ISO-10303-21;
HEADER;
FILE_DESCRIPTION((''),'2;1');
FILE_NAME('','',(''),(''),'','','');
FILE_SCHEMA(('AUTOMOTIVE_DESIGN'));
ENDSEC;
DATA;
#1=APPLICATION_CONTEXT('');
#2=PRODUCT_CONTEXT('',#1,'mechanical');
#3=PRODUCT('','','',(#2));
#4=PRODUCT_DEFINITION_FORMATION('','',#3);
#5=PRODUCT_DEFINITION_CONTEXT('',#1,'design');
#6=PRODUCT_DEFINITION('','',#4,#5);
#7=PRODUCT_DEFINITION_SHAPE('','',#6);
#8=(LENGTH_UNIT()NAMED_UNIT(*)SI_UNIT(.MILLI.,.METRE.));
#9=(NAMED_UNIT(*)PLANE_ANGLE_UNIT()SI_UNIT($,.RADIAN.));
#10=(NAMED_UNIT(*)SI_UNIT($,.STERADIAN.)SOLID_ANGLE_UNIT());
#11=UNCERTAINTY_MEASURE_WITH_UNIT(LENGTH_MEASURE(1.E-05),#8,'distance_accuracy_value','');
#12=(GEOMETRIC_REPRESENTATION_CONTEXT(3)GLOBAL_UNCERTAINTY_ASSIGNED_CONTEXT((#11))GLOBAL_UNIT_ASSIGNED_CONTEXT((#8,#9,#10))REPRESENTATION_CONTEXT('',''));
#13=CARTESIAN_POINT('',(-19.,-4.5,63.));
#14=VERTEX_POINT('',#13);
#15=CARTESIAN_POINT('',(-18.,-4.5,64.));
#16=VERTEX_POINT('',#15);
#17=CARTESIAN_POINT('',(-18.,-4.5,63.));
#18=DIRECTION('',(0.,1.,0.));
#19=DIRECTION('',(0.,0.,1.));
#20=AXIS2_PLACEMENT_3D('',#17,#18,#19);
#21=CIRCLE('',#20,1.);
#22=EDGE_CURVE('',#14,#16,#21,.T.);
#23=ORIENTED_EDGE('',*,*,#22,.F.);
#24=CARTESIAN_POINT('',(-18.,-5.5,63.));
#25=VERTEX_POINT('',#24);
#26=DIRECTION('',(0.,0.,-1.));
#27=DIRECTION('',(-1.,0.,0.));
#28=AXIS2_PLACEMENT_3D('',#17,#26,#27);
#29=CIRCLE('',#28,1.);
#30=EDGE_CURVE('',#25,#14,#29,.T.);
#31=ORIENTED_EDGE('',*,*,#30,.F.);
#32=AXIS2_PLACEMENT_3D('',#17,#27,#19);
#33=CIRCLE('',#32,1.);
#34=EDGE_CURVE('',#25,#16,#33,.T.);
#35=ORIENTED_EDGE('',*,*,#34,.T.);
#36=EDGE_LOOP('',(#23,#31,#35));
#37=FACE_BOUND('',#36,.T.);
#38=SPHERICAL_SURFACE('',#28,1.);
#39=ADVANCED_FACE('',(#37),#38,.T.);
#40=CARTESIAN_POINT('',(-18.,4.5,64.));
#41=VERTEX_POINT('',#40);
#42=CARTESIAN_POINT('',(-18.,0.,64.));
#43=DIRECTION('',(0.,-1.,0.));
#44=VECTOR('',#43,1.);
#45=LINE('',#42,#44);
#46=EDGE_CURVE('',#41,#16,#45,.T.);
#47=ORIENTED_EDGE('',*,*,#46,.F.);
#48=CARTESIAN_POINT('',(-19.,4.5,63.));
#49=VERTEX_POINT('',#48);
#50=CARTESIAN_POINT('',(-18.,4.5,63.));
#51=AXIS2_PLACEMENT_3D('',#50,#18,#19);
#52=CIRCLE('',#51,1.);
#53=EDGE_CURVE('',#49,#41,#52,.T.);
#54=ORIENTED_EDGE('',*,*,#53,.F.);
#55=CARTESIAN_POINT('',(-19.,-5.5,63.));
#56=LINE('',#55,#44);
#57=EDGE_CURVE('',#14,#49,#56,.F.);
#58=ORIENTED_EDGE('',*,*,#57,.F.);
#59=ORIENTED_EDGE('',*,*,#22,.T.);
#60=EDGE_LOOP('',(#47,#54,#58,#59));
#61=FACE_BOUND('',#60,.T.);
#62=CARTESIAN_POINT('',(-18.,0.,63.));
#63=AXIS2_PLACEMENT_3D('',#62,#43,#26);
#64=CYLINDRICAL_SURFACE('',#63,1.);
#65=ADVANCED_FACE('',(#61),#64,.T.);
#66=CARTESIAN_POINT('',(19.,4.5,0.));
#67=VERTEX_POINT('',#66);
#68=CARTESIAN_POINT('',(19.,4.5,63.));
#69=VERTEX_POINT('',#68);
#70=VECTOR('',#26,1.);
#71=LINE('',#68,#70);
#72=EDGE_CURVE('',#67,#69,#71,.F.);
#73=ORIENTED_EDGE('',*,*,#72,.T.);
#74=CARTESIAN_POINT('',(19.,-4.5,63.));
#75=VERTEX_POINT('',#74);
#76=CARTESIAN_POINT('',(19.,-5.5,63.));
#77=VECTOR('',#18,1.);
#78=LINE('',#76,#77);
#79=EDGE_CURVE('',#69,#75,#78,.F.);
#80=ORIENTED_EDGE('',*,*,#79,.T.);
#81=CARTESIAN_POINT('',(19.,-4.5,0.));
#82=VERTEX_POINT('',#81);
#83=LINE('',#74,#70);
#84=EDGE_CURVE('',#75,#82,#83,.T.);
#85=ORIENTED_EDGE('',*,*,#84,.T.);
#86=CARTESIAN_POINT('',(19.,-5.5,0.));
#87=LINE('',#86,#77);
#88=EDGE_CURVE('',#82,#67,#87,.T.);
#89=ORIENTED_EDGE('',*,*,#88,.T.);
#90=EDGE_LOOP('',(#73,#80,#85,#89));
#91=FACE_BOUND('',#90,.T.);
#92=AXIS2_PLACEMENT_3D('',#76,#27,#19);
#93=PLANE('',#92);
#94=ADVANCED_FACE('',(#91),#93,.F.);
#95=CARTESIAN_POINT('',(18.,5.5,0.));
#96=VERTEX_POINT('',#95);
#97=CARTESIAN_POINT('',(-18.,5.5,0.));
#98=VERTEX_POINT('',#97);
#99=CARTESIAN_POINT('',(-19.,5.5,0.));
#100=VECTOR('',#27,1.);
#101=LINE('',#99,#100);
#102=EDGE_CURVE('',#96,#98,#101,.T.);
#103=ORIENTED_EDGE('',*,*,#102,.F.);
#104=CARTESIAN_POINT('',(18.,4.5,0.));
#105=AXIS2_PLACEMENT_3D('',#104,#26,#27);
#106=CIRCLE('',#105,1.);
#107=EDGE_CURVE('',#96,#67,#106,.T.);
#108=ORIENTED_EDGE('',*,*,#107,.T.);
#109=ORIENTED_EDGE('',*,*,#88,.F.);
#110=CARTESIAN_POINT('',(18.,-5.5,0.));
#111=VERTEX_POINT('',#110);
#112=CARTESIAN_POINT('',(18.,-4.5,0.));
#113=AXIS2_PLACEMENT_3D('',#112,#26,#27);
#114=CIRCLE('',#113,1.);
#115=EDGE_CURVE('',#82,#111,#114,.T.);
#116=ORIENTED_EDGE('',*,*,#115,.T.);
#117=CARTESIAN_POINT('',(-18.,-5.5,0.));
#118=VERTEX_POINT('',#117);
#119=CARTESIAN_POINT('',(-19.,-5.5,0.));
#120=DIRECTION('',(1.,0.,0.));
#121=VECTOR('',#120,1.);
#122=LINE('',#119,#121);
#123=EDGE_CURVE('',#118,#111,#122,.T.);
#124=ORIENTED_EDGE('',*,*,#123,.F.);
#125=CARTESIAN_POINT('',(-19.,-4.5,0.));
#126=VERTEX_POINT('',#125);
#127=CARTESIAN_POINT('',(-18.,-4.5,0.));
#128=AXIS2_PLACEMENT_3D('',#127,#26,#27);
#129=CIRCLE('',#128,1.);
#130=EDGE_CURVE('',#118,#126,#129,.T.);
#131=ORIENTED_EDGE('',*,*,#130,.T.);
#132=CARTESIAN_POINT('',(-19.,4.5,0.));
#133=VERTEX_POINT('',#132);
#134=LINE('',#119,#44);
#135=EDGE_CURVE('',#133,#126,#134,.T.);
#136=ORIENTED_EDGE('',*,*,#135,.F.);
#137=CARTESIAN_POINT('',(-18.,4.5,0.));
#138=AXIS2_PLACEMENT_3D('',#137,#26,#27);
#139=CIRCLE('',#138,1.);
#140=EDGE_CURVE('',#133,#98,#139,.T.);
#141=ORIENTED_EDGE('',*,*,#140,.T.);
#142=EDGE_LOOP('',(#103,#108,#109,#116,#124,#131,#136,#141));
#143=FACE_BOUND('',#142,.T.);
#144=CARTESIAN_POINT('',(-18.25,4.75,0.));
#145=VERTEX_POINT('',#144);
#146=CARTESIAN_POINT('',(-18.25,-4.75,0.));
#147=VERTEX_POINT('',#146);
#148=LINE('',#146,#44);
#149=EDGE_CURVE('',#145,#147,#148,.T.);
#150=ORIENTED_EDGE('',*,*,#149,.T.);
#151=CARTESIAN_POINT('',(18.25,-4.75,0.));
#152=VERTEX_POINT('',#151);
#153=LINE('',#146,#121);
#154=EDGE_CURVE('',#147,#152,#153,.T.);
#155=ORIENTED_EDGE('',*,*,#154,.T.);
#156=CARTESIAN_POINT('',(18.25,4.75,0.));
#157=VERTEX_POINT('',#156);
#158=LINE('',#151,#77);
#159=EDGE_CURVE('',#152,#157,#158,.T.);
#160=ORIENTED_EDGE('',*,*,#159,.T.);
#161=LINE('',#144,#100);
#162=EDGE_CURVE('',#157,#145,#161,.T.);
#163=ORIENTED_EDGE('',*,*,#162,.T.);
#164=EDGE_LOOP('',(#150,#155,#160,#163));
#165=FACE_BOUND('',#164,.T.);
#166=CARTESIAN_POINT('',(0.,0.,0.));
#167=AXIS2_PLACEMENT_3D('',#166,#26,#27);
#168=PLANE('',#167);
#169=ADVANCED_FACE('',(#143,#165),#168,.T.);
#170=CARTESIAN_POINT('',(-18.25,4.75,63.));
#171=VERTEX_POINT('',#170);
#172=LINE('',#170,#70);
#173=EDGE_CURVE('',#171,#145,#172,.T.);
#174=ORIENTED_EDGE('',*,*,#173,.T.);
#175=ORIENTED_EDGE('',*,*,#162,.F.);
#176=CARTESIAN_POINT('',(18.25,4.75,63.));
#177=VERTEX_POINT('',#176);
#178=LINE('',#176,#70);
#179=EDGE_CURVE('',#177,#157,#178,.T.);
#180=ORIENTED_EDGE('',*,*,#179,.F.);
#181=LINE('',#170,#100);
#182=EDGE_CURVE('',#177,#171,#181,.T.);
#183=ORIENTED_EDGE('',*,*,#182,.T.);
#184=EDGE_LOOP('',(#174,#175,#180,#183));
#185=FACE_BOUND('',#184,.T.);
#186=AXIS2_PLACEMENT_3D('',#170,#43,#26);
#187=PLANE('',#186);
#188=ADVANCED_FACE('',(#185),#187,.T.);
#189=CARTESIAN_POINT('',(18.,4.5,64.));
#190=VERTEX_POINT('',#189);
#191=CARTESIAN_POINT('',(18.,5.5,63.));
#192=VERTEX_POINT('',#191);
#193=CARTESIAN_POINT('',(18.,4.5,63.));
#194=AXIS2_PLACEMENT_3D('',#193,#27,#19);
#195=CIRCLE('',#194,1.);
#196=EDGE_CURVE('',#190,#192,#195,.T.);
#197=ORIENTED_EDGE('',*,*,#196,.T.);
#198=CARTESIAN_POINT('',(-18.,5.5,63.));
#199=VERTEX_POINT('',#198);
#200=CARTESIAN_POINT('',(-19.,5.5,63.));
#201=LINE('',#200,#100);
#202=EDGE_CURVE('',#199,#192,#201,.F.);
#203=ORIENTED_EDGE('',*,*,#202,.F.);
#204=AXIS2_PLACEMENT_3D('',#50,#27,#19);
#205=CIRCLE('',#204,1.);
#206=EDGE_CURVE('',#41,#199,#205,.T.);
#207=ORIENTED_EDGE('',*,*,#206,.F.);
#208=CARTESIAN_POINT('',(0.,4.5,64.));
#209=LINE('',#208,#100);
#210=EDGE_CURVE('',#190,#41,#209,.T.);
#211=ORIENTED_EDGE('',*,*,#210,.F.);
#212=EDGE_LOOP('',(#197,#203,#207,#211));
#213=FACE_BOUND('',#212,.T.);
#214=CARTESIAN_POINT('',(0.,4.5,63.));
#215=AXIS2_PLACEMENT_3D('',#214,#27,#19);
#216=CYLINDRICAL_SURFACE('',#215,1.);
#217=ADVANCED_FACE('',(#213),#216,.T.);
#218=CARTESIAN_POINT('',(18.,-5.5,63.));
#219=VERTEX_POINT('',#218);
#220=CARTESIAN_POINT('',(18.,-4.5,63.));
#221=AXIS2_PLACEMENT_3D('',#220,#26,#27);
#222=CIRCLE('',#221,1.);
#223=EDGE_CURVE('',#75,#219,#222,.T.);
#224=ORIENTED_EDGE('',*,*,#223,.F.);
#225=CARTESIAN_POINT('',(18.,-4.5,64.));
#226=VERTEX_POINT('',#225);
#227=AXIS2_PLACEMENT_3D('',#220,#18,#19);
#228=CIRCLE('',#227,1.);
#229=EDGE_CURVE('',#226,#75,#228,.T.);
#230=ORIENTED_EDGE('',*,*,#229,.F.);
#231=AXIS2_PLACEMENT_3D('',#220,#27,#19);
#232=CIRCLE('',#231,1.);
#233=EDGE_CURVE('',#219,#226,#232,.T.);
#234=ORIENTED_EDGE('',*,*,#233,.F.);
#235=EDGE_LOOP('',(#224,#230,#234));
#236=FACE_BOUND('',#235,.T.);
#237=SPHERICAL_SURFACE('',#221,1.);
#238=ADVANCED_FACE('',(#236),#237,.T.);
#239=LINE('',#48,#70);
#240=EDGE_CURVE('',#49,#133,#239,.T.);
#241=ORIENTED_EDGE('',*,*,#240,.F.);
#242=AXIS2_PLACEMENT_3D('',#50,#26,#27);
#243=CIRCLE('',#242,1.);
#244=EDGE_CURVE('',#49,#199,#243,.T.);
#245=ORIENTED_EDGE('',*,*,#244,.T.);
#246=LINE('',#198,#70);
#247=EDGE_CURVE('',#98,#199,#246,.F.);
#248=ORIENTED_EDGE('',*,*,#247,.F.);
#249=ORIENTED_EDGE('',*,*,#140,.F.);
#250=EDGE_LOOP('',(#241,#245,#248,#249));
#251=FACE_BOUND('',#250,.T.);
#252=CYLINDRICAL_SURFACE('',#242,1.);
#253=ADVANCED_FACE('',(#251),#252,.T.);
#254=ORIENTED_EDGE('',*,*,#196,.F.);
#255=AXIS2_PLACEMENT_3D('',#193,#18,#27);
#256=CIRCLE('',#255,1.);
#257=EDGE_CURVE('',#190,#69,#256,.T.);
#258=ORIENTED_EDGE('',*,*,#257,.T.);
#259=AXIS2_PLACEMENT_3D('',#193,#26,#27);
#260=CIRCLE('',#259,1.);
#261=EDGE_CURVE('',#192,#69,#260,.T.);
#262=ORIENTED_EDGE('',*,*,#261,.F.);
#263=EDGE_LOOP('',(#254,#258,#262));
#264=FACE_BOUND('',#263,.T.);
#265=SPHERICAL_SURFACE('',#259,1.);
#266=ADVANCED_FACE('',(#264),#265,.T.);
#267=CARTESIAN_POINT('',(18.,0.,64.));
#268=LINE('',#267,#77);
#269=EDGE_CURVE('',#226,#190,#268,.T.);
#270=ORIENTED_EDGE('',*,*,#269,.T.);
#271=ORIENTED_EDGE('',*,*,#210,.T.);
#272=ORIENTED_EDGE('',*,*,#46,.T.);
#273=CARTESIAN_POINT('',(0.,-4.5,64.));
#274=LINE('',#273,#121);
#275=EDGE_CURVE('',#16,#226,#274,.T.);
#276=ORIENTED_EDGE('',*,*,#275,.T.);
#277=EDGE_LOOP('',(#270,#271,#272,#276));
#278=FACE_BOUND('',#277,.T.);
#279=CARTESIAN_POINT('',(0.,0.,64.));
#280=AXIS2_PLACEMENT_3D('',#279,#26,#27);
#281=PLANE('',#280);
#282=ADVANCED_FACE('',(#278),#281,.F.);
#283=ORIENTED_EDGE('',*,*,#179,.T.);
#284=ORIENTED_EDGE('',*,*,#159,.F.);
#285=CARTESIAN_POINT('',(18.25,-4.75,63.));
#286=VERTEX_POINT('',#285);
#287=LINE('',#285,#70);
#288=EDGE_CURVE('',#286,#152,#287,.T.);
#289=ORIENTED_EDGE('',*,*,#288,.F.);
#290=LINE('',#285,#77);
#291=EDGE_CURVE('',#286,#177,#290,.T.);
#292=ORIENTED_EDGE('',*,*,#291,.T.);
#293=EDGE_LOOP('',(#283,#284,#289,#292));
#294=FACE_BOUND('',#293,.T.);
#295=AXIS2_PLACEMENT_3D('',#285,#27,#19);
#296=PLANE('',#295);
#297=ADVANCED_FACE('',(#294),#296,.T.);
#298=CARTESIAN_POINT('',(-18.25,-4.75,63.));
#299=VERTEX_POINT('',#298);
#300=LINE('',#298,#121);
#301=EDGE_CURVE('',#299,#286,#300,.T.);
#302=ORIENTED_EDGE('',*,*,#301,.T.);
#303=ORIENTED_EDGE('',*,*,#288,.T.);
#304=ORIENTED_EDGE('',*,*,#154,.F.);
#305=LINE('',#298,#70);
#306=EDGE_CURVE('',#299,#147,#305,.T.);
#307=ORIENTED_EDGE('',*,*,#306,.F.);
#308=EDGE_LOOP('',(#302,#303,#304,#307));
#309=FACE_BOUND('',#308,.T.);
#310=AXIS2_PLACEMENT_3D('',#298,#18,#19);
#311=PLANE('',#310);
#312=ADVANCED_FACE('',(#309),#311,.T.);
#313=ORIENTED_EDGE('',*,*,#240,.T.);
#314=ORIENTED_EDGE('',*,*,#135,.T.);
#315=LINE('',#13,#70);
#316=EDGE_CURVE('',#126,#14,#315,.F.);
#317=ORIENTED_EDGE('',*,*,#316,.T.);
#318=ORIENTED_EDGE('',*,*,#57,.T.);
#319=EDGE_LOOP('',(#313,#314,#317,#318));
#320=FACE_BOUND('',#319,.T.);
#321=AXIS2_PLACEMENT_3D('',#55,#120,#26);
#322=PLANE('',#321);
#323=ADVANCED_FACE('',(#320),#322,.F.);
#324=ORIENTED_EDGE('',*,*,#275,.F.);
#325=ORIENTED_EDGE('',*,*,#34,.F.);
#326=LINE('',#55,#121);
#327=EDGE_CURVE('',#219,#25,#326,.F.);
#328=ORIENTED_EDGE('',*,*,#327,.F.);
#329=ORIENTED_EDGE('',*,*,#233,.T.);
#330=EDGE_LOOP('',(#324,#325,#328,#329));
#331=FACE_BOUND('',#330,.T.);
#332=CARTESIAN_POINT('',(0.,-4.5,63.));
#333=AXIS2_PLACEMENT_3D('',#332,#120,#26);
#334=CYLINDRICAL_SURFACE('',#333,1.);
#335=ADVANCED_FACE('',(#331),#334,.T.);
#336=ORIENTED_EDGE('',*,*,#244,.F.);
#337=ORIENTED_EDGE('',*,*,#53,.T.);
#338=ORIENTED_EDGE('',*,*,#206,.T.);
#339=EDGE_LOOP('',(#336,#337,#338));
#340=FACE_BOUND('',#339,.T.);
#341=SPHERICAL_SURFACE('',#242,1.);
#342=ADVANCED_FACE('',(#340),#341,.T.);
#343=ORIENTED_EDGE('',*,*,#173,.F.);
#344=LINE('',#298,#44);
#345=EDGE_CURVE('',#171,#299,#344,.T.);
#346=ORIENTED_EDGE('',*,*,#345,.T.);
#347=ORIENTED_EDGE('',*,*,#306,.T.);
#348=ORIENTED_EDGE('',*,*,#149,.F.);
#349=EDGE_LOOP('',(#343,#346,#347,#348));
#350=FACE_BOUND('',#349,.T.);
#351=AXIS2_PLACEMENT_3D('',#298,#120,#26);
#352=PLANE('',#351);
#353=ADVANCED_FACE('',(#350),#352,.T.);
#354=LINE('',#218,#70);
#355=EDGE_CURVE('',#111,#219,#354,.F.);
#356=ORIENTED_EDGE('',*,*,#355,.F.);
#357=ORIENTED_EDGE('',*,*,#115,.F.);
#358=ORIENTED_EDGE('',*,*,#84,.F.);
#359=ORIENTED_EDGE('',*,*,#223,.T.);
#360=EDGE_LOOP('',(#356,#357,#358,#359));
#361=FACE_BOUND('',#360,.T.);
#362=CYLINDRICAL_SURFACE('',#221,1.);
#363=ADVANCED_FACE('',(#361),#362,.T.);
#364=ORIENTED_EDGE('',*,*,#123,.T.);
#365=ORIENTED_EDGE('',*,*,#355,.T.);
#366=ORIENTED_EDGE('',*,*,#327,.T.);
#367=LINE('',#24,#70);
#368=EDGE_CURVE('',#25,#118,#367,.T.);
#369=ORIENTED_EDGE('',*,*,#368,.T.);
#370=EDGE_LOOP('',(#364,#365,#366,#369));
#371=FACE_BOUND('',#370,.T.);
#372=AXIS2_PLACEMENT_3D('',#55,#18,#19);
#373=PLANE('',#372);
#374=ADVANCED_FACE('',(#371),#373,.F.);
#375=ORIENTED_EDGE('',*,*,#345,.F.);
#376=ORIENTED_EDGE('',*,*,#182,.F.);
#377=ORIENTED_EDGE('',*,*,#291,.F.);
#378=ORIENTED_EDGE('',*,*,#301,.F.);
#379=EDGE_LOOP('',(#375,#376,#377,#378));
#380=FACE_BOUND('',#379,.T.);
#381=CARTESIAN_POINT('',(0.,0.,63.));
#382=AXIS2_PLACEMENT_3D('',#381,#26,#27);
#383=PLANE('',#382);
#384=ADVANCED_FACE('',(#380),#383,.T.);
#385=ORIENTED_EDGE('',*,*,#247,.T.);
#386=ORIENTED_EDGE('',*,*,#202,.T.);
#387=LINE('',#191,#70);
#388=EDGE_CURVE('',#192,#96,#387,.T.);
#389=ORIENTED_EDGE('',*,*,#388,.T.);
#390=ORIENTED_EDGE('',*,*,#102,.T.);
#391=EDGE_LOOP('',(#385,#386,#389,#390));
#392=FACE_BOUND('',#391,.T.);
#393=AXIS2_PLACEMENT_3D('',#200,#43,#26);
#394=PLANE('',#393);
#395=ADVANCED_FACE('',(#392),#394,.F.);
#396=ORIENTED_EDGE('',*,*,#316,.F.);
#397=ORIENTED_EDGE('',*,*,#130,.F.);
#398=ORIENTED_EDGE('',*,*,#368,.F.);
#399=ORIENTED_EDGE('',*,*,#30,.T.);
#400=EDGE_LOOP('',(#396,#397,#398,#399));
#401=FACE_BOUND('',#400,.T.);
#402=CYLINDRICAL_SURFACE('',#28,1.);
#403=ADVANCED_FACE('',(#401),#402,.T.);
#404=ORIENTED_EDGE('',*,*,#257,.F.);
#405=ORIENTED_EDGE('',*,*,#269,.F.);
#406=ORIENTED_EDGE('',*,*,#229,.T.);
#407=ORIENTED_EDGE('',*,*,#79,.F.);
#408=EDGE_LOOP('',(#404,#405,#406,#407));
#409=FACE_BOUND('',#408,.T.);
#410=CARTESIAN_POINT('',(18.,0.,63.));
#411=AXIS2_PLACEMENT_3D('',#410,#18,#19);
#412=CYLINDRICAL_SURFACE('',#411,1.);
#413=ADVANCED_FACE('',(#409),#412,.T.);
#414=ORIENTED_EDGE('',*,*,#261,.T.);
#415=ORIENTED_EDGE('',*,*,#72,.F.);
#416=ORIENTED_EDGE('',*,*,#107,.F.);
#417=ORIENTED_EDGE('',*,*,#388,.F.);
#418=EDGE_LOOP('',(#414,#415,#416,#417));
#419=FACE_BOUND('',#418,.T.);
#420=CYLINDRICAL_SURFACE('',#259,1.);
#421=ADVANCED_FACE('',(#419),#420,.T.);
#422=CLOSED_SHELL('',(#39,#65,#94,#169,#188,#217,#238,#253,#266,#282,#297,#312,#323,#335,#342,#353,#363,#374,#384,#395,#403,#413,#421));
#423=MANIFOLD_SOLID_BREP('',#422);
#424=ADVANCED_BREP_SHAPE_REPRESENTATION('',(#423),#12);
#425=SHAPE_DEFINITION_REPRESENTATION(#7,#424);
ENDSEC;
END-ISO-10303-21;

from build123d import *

# Parameters (mm, degrees)
SKETCH8_W           = 38
SKETCH8_H           = 11
SKETCH8_W_2         = 36.5
SKETCH8_H_2         = 9.5
BOSS_EXTRUDE2_DEPTH = 63
SKETCH9_W           = 38
SKETCH9_H           = 11
BOSS_EXTRUDE3_DEPTH = 1
FILLET1_R           = 1
FILLET2_R           = 1
FILLET3_R           = 1
FILLET4_R           = 1
FILLET5_R           = 1


with BuildPart() as part:
    # Sketch8 → Boss-Extrude2 (new body)
    with BuildSketch(Plane.XY):
        Rectangle(SKETCH8_W, SKETCH8_H)
        Rectangle(SKETCH8_W_2, SKETCH8_H_2, mode=Mode.SUBTRACT)
    extrude(amount=BOSS_EXTRUDE2_DEPTH)

    # Sketch9 → Boss-Extrude3 (add)
    with BuildSketch(Plane.XY.offset(63)):
        Rectangle(SKETCH9_W, SKETCH9_H)
    extrude(amount=BOSS_EXTRUDE3_DEPTH)

    # Fillet1
    fillet1_edges = [part.edges().sort_by_distance(p)[0] for p in [
        (-19, 5.5, 32),
    ]]
    fillet(fillet1_edges, radius=FILLET1_R)

    # Fillet2
    fillet2_edges = [part.edges().sort_by_distance(p)[0] for p in [
        (19, 5.5, 32),
    ]]
    fillet(fillet2_edges, radius=FILLET2_R)

    # Fillet3
    fillet3_edges = [part.edges().sort_by_distance(p)[0] for p in [
        (19, -5.5, 32),
    ]]
    fillet(fillet3_edges, radius=FILLET3_R)

    # Fillet4
    fillet4_edges = [part.edges().sort_by_distance(p)[0] for p in [
        (-19, -5.5, 32),
    ]]
    fillet(fillet4_edges, radius=FILLET4_R)

    # Fillet5
    fillet5_edges = [part.edges().sort_by_distance(p)[0] for p in [
        (-19, 0, 64),
        (-18.707106781, 5.207106781, 64),
        (0, 5.5, 64),
        (18.707106781, 5.207106781, 64),
        (19, 0, 64),
        (18.707106781, -5.207106781, 64),
        (0, -5.5, 64),
        (-18.707106781, -5.207106781, 64),
    ]]
    fillet(fillet5_edges, radius=FILLET5_R)


solid = part.part
